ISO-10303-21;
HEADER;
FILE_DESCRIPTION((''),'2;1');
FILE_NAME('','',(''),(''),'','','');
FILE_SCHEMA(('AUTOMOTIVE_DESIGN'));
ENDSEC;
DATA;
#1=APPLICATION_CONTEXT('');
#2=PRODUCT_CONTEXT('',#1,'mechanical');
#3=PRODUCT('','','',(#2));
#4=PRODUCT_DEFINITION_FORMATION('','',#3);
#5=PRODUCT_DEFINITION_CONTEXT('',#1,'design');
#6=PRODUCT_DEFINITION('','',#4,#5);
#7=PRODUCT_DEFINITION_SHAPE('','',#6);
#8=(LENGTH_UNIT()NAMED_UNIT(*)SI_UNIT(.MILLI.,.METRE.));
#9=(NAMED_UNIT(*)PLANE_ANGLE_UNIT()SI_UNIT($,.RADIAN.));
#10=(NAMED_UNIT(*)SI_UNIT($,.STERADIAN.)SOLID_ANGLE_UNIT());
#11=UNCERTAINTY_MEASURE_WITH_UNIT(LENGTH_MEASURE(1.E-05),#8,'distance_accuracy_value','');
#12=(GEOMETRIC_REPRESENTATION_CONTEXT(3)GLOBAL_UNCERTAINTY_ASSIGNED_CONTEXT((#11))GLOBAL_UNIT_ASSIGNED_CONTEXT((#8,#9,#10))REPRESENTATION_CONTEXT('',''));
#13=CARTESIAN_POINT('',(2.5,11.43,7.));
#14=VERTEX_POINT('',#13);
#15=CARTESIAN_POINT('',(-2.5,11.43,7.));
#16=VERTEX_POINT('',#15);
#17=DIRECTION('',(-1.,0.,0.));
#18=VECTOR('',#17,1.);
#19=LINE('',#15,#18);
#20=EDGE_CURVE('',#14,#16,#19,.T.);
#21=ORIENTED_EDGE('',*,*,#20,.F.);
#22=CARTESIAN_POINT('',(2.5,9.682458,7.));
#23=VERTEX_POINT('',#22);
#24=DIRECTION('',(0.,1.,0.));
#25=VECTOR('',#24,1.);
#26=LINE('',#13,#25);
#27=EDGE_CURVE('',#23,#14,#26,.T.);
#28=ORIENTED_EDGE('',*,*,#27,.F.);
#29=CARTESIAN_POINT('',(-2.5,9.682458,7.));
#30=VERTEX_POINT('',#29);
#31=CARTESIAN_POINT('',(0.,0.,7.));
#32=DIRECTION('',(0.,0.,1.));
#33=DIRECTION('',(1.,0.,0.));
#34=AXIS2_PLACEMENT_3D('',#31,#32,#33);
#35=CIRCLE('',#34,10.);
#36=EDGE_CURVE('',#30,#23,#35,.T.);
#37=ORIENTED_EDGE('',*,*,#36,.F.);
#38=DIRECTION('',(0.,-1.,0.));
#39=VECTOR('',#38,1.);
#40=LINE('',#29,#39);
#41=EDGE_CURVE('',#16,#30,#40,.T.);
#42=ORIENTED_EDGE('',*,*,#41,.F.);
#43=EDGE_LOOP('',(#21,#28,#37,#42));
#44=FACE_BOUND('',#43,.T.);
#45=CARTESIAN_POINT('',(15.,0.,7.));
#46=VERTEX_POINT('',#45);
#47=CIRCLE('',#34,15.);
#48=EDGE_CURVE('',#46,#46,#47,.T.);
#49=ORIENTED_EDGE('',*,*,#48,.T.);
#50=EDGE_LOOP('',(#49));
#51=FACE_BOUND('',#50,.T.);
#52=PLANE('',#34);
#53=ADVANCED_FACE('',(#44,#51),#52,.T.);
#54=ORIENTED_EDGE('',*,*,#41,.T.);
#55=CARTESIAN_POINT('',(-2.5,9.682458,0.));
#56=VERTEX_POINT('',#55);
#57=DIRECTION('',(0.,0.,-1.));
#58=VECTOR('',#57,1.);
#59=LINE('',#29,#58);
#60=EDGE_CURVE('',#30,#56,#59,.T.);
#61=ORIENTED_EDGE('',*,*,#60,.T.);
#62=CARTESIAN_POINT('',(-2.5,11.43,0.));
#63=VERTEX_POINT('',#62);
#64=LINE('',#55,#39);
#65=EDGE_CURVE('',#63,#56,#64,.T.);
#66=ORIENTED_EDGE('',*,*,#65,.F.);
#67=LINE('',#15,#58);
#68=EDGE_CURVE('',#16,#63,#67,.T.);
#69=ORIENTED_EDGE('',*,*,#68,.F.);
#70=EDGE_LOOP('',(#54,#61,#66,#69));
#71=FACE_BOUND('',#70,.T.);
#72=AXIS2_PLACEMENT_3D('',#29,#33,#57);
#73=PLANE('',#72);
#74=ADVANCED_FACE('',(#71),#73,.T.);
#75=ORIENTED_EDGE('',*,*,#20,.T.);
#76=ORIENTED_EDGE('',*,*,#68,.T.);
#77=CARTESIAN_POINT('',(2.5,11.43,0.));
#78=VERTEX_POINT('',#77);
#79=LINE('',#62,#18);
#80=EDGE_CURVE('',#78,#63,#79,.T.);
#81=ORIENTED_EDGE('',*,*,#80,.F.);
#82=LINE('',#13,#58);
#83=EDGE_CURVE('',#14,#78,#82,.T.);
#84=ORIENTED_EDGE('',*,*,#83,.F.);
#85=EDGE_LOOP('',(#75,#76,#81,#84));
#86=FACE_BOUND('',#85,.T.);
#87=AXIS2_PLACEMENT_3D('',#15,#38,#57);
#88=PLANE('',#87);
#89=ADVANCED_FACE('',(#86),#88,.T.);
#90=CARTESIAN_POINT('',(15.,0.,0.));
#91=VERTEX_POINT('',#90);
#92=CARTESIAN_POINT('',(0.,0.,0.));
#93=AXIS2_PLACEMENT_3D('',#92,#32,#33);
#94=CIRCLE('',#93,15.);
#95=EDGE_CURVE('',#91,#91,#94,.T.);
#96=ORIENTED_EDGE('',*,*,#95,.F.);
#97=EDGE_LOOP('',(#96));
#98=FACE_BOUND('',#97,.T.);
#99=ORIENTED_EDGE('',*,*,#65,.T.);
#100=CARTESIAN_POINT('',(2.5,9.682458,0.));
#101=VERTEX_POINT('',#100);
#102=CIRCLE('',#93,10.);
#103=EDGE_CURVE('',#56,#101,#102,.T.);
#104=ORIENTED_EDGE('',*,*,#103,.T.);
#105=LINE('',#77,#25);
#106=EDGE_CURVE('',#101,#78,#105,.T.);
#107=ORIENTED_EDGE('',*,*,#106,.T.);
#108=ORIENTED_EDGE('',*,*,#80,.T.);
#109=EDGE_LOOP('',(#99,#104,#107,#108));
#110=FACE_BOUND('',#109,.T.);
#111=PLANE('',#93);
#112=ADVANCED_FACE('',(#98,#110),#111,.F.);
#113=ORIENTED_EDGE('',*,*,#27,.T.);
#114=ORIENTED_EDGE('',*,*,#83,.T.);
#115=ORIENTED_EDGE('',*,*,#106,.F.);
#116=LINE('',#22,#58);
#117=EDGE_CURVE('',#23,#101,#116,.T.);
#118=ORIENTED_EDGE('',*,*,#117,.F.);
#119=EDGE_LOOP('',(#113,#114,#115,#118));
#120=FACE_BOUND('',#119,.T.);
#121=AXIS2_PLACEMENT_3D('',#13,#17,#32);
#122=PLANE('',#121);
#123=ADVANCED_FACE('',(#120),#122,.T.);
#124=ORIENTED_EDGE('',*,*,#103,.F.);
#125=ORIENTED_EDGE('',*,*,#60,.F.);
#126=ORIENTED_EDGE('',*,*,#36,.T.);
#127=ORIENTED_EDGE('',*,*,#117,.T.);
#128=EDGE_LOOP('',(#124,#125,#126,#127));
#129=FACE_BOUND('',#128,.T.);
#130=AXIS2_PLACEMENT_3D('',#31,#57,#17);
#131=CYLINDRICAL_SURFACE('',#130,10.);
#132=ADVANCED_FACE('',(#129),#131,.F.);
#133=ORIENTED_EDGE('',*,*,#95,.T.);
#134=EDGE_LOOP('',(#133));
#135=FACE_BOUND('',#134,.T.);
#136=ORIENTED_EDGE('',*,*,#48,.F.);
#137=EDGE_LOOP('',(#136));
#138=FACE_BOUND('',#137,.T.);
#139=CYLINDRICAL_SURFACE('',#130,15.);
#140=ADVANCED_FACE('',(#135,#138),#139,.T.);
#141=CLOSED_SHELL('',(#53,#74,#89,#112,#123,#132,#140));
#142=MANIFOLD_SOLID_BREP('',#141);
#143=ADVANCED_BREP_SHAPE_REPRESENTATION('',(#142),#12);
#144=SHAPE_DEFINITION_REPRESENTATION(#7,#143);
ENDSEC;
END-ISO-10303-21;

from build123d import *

# Parameters (mm, degrees)
SKETCH1_R           = 15
BOSS_EXTRUDE1_DEPTH = 7


with BuildPart() as part:
    # Sketch1 → Boss-Extrude1 (new body)
    with BuildSketch(Plane.XY):
        Circle(SKETCH1_R)
        with BuildLine():
            Line((-2.5, 9.682458366), (-2.5, 11.43))
            Line((-2.5, 11.43), (2.5, 11.43))
            Line((2.5, 11.43), (2.5, 9.682458366))
            ThreePointArc((2.5, 9.682458366), (0, -10), (-2.5, 9.682458366))
        make_face(mode=Mode.SUBTRACT)
    extrude(amount=BOSS_EXTRUDE1_DEPTH)


solid = part.part
